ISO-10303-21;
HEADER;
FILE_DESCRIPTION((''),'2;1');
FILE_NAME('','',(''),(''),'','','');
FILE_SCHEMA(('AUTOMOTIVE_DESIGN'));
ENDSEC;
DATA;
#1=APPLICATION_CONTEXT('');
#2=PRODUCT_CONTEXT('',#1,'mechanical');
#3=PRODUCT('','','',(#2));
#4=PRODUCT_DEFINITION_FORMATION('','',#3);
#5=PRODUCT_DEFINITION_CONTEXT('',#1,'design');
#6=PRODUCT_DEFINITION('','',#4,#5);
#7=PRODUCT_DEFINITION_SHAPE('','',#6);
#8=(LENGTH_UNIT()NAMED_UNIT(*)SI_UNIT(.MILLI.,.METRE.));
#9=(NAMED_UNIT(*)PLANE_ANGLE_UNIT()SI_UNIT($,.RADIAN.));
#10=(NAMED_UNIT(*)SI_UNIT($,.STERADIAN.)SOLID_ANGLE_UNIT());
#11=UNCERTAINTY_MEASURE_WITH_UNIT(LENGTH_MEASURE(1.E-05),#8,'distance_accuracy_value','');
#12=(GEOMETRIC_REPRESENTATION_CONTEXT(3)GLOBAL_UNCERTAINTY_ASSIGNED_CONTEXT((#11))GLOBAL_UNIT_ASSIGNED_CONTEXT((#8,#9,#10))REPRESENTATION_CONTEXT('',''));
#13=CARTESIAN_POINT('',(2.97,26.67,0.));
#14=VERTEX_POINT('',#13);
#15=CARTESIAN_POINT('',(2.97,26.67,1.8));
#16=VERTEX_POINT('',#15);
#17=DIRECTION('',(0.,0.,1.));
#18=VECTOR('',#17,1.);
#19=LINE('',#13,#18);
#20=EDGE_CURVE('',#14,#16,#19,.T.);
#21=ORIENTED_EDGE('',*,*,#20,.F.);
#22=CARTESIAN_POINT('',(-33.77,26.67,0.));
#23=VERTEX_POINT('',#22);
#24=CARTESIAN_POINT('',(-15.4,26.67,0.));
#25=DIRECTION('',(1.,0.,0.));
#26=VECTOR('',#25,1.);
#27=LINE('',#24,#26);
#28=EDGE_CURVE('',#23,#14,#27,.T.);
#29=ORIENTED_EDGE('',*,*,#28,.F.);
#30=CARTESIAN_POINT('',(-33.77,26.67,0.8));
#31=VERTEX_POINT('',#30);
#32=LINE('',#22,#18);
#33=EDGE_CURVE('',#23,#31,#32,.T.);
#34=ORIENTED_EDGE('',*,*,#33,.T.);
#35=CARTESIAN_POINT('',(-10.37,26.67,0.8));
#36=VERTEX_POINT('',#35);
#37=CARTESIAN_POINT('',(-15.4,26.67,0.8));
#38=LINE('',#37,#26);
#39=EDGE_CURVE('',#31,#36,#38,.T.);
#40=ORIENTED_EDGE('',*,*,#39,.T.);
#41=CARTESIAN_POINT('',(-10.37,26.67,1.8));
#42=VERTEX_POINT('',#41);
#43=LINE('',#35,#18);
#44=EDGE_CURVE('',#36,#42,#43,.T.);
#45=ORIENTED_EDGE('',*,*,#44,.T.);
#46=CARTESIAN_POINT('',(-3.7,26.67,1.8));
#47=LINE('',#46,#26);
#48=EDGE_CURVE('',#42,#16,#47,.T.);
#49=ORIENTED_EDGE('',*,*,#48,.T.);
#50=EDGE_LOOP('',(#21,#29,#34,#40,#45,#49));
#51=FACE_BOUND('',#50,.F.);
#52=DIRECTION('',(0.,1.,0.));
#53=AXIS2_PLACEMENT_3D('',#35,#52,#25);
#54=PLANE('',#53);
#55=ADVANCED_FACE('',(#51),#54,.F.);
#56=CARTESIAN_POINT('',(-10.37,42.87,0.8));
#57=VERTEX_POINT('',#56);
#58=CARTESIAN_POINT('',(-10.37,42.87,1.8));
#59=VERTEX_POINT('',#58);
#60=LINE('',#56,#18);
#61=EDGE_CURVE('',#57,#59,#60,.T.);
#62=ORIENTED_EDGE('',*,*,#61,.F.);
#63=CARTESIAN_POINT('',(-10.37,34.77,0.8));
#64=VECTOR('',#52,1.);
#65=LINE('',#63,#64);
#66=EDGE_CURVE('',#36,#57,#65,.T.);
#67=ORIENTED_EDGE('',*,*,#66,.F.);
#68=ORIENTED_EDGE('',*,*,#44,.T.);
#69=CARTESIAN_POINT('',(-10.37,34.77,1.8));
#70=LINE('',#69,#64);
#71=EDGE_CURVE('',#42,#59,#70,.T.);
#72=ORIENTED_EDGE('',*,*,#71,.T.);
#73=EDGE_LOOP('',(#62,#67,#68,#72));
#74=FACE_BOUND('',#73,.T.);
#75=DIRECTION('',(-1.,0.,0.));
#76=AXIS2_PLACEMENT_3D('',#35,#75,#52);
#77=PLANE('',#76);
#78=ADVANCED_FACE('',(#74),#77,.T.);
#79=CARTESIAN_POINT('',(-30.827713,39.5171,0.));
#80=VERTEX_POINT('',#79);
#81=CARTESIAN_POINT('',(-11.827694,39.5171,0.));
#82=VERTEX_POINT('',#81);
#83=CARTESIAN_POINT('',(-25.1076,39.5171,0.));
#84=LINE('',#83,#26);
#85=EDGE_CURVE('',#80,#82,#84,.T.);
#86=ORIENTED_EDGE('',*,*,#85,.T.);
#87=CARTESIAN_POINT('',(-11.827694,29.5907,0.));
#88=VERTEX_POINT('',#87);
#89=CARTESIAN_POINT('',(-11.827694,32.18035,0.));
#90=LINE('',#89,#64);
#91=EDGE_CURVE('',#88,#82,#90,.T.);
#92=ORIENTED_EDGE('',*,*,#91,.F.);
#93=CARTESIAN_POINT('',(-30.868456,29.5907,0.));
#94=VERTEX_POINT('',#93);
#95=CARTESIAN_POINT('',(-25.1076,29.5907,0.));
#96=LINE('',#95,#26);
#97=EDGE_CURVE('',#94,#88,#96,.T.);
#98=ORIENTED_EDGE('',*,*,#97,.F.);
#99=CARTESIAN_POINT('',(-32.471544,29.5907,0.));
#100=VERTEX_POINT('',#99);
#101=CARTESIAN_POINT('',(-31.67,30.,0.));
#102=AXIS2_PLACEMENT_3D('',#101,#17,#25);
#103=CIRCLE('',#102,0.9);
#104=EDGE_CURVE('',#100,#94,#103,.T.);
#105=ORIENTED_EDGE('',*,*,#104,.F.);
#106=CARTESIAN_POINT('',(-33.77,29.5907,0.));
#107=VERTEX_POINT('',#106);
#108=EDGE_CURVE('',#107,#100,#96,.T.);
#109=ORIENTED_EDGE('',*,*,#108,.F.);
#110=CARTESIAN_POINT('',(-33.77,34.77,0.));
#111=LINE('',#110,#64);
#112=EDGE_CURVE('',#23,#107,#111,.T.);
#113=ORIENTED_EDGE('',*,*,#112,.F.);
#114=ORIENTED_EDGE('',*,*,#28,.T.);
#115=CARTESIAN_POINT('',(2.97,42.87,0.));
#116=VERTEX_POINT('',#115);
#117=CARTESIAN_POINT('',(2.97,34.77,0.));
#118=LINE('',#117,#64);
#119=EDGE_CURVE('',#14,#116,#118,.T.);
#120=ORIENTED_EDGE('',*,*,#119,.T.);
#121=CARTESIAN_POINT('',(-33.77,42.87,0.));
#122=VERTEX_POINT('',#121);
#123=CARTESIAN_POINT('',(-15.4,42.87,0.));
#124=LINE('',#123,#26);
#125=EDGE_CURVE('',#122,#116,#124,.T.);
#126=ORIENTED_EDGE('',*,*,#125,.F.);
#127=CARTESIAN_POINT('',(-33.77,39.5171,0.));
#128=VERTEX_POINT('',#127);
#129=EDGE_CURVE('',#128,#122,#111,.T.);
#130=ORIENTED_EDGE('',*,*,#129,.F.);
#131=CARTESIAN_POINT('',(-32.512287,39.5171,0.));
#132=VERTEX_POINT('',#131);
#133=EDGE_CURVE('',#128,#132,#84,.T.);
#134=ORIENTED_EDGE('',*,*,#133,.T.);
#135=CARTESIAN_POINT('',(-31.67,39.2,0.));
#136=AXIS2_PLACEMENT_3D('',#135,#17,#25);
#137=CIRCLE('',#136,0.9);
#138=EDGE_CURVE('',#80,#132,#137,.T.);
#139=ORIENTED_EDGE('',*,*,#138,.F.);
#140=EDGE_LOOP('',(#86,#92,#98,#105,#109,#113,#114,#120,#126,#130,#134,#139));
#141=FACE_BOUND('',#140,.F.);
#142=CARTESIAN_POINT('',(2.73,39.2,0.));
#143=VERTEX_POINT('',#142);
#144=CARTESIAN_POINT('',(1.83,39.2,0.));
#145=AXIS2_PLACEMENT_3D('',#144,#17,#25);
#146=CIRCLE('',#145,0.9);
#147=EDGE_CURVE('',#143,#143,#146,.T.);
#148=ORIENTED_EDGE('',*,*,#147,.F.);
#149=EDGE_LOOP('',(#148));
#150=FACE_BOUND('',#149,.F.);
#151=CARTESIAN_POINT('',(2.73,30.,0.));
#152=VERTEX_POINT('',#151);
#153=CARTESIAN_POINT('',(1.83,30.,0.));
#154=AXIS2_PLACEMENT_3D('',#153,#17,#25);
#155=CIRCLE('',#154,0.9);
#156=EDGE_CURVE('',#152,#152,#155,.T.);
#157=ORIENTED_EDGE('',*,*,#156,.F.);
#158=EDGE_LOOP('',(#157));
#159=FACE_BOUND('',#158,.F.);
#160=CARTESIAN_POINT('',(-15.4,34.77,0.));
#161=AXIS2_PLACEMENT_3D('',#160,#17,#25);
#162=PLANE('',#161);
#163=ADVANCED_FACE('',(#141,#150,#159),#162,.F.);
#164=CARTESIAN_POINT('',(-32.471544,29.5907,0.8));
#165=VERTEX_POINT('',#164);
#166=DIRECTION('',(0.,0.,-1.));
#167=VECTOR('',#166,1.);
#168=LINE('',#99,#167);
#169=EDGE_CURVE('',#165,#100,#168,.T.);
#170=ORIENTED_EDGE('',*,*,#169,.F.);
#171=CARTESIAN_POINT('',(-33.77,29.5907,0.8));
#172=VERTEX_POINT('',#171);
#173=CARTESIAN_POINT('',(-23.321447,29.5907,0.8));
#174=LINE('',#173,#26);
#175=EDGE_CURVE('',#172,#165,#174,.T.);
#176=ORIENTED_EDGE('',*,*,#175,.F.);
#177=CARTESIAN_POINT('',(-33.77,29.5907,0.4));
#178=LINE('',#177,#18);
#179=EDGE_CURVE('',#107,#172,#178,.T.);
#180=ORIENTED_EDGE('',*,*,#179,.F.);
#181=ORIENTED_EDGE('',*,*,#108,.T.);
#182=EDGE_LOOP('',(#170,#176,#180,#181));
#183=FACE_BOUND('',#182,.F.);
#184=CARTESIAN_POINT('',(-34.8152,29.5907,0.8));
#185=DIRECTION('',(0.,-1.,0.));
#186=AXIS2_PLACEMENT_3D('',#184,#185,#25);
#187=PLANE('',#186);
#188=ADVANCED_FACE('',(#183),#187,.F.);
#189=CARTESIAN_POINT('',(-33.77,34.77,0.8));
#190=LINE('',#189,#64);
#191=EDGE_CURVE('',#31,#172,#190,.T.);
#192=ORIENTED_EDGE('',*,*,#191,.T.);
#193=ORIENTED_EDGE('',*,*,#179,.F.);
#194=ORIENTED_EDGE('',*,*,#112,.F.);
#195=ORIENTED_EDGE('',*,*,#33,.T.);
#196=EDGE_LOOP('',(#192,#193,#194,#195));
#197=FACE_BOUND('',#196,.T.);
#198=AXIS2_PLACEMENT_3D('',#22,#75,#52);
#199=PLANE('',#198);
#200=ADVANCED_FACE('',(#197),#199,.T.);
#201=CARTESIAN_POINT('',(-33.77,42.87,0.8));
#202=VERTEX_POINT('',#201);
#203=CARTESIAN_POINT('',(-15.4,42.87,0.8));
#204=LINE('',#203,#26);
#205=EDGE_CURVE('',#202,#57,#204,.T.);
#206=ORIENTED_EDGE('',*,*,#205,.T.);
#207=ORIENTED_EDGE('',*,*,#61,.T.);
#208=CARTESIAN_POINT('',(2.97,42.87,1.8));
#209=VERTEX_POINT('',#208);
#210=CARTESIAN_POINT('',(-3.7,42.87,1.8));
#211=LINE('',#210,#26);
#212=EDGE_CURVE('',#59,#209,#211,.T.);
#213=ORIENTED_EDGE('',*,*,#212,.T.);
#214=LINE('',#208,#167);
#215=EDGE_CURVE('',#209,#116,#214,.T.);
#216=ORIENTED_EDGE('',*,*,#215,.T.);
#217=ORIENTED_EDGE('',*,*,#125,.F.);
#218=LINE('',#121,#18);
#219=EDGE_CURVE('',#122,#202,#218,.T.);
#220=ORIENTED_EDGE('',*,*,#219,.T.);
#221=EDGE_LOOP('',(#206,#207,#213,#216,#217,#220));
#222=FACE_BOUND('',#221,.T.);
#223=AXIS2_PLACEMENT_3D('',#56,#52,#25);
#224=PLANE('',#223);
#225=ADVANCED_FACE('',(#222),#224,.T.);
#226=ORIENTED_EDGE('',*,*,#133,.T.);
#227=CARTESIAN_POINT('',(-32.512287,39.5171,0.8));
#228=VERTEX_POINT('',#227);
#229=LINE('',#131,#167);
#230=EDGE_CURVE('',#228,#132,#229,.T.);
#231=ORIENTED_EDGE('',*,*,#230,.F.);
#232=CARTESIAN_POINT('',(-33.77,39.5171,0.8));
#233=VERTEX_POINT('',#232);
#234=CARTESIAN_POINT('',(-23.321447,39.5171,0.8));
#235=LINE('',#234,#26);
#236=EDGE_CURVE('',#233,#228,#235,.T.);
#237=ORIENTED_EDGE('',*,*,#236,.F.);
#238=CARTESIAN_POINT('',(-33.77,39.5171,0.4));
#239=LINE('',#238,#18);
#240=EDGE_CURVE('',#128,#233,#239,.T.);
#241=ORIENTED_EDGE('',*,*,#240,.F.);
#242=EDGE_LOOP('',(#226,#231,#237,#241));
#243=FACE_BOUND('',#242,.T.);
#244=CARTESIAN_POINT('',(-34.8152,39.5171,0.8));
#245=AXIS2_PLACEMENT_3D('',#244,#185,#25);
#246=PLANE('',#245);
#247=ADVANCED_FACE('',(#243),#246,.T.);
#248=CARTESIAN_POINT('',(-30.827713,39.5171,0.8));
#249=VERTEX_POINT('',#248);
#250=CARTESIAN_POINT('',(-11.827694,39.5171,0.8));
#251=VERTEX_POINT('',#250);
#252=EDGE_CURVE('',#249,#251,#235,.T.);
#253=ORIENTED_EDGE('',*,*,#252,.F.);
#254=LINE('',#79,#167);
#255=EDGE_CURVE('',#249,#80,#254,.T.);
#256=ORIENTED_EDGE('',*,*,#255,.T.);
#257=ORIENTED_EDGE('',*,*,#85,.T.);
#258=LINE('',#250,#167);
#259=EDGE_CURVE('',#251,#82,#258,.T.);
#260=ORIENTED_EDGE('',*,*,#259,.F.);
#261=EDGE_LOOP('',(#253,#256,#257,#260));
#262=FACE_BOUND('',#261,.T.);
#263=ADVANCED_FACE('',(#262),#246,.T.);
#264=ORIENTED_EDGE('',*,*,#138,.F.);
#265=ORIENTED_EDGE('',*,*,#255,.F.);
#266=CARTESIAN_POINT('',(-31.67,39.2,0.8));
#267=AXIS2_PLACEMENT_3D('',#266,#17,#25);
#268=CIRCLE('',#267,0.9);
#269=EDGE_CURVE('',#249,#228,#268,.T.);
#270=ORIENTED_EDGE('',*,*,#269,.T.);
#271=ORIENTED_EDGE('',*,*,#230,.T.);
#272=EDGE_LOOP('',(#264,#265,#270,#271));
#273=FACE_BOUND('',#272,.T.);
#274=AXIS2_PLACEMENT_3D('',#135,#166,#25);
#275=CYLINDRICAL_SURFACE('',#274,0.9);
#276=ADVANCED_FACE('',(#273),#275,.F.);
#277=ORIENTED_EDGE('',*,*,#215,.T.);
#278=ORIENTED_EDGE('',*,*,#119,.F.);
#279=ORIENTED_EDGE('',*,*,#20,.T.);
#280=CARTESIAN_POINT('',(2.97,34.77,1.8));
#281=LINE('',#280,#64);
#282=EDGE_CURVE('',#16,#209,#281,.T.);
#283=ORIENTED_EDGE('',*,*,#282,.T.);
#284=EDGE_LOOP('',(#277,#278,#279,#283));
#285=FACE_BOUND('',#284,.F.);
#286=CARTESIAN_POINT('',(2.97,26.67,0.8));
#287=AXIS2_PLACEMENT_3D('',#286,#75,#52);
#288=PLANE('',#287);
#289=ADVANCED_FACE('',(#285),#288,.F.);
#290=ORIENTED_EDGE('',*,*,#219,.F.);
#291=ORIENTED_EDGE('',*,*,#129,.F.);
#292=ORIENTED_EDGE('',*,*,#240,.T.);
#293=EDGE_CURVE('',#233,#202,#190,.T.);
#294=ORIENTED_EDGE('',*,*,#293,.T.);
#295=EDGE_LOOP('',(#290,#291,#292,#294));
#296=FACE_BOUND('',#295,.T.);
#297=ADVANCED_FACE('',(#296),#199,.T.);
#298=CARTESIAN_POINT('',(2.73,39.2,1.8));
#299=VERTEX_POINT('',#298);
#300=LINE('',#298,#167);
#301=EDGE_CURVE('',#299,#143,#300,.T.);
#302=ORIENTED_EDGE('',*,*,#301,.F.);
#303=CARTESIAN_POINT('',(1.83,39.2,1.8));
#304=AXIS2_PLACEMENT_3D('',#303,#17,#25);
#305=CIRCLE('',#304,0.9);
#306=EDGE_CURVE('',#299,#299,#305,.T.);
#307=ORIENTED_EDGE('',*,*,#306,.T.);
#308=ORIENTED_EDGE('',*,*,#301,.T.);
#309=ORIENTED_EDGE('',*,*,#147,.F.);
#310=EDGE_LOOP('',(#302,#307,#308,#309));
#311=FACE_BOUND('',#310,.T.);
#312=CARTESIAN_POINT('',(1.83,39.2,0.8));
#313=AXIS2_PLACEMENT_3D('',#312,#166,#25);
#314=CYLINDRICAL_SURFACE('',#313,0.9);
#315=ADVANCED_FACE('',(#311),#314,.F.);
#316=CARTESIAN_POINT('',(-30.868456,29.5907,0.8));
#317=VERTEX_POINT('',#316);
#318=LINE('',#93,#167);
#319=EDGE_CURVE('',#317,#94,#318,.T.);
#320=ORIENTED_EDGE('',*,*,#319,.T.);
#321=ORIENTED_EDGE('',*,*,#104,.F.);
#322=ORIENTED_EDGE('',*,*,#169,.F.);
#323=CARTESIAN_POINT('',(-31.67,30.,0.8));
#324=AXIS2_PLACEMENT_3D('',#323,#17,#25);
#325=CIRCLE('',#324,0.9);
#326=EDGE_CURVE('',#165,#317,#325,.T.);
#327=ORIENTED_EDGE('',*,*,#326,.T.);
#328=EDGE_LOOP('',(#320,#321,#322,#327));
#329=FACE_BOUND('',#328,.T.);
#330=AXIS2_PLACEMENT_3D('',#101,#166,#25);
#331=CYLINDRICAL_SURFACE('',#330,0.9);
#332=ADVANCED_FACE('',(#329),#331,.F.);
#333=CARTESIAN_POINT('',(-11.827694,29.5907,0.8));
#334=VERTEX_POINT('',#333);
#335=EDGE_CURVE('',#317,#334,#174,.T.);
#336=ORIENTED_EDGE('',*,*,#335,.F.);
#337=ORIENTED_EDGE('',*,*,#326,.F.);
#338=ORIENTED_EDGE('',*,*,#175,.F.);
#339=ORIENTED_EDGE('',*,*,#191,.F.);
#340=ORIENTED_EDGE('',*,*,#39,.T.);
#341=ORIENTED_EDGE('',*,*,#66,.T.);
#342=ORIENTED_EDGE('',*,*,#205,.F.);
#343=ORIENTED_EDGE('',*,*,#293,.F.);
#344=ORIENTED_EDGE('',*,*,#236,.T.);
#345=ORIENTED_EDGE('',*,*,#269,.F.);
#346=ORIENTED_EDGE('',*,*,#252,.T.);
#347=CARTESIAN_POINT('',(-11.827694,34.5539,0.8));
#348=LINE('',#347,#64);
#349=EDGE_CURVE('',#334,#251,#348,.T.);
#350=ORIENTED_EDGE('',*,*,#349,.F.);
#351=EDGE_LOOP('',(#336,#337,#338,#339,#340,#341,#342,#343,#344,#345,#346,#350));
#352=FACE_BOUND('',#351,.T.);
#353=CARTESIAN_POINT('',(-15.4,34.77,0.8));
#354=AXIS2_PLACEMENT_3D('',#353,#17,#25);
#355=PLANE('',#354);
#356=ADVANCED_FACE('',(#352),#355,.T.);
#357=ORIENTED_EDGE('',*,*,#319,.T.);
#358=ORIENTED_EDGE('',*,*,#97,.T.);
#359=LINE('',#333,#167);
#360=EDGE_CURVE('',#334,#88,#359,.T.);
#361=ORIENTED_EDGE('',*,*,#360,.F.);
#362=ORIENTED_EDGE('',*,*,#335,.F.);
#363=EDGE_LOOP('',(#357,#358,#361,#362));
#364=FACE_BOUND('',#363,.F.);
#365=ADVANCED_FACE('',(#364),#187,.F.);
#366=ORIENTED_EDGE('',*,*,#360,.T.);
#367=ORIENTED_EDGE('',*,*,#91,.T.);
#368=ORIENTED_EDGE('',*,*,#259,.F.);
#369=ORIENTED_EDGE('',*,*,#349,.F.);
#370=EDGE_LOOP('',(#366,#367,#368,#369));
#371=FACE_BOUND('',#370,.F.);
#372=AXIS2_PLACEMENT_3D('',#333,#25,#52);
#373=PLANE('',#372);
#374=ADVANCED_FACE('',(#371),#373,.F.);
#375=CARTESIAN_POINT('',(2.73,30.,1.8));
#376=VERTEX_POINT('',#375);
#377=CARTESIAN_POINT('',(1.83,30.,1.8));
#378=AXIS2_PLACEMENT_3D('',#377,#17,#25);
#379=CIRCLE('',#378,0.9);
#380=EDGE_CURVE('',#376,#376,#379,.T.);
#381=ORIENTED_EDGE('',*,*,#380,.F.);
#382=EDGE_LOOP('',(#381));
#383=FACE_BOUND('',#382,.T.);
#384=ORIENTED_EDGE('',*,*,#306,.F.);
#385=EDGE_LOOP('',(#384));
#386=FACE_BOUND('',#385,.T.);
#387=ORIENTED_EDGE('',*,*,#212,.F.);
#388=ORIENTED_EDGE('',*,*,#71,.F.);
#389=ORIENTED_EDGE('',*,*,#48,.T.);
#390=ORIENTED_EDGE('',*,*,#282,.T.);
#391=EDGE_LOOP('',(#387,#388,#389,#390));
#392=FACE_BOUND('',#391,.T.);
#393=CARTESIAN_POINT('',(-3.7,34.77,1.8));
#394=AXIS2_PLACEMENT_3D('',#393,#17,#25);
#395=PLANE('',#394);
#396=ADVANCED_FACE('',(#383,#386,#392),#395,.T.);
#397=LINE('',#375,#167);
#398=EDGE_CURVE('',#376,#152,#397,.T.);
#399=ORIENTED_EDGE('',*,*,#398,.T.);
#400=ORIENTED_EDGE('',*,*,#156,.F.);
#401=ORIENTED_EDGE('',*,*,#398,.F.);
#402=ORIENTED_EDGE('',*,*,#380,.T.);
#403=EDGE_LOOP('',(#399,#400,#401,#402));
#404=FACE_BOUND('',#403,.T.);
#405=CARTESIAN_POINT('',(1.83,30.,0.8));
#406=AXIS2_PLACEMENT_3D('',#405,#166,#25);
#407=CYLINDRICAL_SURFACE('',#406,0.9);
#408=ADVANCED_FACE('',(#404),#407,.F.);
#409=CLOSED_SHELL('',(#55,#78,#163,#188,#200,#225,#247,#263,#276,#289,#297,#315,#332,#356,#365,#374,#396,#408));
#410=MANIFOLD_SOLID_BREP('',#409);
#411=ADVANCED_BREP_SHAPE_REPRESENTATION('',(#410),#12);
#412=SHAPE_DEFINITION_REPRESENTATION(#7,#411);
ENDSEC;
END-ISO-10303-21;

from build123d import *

# Parameters (mm, degrees)
SKETCH_W     = 36.74
SKETCH_H     = 16.2
SKETCH_R     = 0.9
PAD_DEPTH    = 0.8
SKETCH001_W  = 13.34
SKETCH001_H  = 16.2
SKETCH001_R  = 0.9
PAD001_DEPTH = 1
SKETCH002_W  = 22.987506
SKETCH002_H  = 9.9264
POCKET_DEPTH = 0.801


with BuildPart() as part:
    # Sketch → Pad (new body)
    with BuildSketch(Plane.XY):
        with Locations((-15.4, 34.77)):
            Rectangle(SKETCH_W, SKETCH_H)
        with Locations((1.83, 39.2)):
            Circle(SKETCH_R, mode=Mode.SUBTRACT)
        with Locations((1.83, 30)):
            Circle(SKETCH_R, mode=Mode.SUBTRACT)
        with Locations((-31.67, 39.2)):
            Circle(SKETCH_R, mode=Mode.SUBTRACT)
        with Locations((-31.67, 30)):
            Circle(SKETCH_R, mode=Mode.SUBTRACT)
    extrude(amount=PAD_DEPTH)

    # Sketch001 (on Face10 of Pad) → Pad001 (join)
    with BuildSketch(Plane.XY.offset(0.8)):
        with Locations((-3.7, 34.77)):
            Rectangle(SKETCH001_W, SKETCH001_H)
        with Locations((1.83, 39.2)):
            Circle(SKETCH001_R, mode=Mode.SUBTRACT)
        with Locations((1.83, 30)):
            Circle(SKETCH001_R, mode=Mode.SUBTRACT)
    extrude(amount=PAD001_DEPTH)

    # Sketch002 (on Face3 of Pad001) → Pocket (cut, through all)
    with BuildSketch(Plane.XY.offset(0.8)):
        with Locations((-23.321447, 34.5539)):
            Rectangle(SKETCH002_W, SKETCH002_H)
    extrude(amount=-POCKET_DEPTH, mode=Mode.SUBTRACT)


solid = part.part
